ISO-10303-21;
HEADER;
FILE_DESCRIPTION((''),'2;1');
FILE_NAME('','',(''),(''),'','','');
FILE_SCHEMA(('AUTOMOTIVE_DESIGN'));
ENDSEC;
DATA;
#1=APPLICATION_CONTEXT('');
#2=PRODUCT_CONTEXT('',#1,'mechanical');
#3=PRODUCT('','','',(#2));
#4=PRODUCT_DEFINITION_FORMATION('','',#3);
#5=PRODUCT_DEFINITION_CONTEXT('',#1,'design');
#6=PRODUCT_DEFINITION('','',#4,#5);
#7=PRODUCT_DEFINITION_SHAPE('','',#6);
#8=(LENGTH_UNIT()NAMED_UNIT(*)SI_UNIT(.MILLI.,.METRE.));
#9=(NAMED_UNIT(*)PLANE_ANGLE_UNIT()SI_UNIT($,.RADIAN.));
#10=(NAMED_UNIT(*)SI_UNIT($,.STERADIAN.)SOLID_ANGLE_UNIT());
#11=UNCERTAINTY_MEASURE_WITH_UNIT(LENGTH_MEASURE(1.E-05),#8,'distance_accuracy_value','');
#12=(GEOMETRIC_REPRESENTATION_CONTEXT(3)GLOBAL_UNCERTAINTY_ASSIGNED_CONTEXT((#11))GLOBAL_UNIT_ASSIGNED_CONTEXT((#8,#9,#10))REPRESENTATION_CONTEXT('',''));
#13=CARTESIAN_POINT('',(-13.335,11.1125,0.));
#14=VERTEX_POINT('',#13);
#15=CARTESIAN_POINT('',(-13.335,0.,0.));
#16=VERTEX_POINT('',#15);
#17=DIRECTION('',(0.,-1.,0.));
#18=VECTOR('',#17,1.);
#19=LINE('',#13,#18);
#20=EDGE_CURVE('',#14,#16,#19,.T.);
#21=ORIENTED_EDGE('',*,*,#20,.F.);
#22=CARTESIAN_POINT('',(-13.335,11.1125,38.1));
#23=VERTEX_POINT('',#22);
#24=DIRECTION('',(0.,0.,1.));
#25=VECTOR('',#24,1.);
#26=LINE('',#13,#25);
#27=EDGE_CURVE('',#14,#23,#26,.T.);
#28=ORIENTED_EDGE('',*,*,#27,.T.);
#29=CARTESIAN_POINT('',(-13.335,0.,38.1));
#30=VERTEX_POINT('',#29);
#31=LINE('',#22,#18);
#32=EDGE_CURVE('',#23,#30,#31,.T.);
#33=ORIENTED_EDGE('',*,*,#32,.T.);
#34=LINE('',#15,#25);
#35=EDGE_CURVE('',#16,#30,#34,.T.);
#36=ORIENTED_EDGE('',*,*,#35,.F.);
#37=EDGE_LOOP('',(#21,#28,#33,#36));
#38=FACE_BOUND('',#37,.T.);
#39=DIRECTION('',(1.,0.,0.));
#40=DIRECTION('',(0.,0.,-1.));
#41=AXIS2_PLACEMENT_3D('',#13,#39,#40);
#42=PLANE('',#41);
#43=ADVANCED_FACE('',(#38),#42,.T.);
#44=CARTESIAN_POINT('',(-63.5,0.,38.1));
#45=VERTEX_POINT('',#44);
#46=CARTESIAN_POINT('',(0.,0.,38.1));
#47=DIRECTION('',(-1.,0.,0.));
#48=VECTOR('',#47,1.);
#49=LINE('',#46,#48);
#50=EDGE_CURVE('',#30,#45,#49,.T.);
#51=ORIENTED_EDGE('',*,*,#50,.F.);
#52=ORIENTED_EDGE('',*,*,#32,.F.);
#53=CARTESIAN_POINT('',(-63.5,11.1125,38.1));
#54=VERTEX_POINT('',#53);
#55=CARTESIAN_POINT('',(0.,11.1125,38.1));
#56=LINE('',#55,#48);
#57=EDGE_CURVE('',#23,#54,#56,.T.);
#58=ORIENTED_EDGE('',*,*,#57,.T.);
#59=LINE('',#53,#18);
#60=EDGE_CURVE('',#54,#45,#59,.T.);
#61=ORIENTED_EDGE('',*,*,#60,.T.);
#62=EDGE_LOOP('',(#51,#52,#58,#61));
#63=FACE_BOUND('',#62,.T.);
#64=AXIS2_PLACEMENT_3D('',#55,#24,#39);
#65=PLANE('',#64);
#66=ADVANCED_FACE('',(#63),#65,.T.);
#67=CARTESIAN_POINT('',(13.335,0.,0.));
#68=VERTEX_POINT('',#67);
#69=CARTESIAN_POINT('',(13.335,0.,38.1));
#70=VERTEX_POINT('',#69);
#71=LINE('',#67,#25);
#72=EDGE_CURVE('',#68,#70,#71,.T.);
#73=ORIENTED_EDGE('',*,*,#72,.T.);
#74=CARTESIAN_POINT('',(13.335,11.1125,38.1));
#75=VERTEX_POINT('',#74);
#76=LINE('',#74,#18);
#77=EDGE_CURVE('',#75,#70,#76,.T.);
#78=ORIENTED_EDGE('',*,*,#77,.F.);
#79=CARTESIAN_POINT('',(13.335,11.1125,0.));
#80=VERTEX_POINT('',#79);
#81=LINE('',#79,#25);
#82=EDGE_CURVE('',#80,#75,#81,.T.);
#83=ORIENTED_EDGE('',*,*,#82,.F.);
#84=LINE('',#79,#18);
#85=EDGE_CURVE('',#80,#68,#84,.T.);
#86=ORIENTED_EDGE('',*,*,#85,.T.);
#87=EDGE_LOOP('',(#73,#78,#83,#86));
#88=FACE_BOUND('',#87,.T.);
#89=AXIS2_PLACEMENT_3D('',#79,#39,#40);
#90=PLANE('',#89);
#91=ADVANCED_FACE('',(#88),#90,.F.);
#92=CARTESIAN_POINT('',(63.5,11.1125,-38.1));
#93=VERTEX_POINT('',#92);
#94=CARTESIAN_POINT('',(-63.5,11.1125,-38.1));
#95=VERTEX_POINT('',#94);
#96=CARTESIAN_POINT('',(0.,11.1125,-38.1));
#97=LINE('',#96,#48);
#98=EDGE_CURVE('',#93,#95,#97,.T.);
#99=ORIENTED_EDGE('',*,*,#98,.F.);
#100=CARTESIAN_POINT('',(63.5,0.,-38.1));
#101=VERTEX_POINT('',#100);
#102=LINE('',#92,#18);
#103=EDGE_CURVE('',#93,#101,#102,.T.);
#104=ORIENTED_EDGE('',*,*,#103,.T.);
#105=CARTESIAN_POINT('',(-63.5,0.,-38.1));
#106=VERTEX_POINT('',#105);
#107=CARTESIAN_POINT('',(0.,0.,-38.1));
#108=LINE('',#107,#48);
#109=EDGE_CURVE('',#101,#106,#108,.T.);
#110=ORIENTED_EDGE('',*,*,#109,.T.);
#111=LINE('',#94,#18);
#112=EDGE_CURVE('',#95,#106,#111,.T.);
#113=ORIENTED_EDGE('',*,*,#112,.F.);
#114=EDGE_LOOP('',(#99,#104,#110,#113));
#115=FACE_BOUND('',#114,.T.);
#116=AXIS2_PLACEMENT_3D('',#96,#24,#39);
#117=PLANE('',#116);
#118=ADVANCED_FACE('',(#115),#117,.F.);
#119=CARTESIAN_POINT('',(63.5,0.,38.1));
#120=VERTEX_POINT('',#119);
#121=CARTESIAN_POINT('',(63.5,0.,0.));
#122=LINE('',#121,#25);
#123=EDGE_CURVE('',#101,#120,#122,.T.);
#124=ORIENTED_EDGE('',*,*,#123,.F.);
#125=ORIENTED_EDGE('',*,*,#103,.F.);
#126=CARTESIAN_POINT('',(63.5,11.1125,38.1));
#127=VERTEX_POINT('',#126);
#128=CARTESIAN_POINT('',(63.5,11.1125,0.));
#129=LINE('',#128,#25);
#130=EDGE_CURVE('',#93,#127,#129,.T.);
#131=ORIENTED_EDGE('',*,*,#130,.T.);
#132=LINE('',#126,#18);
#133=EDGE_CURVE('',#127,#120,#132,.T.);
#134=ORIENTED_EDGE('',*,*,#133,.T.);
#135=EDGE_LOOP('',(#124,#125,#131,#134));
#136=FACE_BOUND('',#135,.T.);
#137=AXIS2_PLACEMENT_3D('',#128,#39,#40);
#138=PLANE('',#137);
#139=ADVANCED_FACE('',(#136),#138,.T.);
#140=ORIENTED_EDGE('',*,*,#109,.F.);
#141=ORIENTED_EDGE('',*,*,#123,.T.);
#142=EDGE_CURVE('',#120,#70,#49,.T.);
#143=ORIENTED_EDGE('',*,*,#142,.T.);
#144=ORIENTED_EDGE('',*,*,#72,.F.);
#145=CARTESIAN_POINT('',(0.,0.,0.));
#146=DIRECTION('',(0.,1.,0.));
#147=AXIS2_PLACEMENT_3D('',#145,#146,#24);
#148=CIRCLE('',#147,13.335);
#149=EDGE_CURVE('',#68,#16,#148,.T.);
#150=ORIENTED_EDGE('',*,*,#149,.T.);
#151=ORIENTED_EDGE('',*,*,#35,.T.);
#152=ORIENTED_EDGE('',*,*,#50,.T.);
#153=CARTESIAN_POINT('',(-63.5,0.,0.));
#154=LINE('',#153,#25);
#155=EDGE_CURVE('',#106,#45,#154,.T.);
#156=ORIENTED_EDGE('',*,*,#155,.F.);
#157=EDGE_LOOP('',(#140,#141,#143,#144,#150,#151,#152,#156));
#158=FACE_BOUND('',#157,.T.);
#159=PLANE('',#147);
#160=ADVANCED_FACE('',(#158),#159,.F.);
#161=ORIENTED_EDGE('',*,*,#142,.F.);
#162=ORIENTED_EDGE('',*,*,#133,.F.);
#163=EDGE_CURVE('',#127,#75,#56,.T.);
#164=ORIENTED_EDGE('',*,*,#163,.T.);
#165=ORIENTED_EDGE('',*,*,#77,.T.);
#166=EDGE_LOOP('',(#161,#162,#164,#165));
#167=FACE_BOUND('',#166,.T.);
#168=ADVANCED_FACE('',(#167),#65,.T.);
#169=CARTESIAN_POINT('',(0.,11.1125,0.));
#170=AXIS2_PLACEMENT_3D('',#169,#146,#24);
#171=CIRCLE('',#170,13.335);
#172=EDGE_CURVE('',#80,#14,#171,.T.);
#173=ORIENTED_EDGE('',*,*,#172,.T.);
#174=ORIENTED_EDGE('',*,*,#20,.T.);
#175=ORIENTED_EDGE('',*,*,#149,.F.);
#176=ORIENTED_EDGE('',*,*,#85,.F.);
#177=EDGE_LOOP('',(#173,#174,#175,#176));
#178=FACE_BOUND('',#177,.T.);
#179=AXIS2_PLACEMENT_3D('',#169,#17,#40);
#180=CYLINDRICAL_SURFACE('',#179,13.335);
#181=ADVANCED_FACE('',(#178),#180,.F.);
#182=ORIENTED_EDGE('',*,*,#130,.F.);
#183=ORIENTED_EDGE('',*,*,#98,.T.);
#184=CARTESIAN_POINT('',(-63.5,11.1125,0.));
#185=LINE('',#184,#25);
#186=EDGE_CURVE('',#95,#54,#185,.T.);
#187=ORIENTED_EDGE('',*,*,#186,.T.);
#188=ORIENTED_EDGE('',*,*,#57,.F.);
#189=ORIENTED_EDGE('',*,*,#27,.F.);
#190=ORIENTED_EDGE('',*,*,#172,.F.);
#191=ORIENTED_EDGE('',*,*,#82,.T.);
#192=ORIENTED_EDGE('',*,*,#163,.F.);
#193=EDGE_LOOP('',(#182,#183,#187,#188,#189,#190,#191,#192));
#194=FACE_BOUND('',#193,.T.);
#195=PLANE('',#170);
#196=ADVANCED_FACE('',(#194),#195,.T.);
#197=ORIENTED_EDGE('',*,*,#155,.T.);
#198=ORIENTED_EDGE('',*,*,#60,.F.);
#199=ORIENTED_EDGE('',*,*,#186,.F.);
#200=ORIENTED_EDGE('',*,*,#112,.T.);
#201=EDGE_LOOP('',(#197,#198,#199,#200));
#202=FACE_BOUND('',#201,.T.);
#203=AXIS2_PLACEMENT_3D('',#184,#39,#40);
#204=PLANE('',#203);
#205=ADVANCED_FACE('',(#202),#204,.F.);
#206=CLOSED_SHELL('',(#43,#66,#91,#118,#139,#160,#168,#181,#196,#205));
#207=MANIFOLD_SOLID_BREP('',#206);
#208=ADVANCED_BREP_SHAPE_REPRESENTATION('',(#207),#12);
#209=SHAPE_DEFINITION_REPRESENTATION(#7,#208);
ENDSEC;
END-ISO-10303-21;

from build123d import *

# Parameters (mm, degrees)
BOSS_EXTRUDE1_DEPTH = 11.1125


with BuildPart() as part:
    # Sketch1 → Boss-Extrude1 (new body)
    with BuildSketch(Plane(origin=(0, 0, 0), x_dir=(1, 0, 0), z_dir=(0, 1, 0))):
        with BuildLine():
            Line((-13.335, -38.1), (-13.335, 0))
            ThreePointArc((-13.335, 0), (0, 13.335), (13.335, 0))
            Line((13.335, 0), (13.335, -38.1))
            Line((13.335, -38.1), (63.5, -38.1))
            Line((63.5, -38.1), (63.5, 38.1))
            Line((63.5, 38.1), (-63.5, 38.1))
            Line((-63.5, 38.1), (-63.5, -38.1))
            Line((-63.5, -38.1), (-13.335, -38.1))
        make_face()
    extrude(amount=BOSS_EXTRUDE1_DEPTH)


solid = part.part
